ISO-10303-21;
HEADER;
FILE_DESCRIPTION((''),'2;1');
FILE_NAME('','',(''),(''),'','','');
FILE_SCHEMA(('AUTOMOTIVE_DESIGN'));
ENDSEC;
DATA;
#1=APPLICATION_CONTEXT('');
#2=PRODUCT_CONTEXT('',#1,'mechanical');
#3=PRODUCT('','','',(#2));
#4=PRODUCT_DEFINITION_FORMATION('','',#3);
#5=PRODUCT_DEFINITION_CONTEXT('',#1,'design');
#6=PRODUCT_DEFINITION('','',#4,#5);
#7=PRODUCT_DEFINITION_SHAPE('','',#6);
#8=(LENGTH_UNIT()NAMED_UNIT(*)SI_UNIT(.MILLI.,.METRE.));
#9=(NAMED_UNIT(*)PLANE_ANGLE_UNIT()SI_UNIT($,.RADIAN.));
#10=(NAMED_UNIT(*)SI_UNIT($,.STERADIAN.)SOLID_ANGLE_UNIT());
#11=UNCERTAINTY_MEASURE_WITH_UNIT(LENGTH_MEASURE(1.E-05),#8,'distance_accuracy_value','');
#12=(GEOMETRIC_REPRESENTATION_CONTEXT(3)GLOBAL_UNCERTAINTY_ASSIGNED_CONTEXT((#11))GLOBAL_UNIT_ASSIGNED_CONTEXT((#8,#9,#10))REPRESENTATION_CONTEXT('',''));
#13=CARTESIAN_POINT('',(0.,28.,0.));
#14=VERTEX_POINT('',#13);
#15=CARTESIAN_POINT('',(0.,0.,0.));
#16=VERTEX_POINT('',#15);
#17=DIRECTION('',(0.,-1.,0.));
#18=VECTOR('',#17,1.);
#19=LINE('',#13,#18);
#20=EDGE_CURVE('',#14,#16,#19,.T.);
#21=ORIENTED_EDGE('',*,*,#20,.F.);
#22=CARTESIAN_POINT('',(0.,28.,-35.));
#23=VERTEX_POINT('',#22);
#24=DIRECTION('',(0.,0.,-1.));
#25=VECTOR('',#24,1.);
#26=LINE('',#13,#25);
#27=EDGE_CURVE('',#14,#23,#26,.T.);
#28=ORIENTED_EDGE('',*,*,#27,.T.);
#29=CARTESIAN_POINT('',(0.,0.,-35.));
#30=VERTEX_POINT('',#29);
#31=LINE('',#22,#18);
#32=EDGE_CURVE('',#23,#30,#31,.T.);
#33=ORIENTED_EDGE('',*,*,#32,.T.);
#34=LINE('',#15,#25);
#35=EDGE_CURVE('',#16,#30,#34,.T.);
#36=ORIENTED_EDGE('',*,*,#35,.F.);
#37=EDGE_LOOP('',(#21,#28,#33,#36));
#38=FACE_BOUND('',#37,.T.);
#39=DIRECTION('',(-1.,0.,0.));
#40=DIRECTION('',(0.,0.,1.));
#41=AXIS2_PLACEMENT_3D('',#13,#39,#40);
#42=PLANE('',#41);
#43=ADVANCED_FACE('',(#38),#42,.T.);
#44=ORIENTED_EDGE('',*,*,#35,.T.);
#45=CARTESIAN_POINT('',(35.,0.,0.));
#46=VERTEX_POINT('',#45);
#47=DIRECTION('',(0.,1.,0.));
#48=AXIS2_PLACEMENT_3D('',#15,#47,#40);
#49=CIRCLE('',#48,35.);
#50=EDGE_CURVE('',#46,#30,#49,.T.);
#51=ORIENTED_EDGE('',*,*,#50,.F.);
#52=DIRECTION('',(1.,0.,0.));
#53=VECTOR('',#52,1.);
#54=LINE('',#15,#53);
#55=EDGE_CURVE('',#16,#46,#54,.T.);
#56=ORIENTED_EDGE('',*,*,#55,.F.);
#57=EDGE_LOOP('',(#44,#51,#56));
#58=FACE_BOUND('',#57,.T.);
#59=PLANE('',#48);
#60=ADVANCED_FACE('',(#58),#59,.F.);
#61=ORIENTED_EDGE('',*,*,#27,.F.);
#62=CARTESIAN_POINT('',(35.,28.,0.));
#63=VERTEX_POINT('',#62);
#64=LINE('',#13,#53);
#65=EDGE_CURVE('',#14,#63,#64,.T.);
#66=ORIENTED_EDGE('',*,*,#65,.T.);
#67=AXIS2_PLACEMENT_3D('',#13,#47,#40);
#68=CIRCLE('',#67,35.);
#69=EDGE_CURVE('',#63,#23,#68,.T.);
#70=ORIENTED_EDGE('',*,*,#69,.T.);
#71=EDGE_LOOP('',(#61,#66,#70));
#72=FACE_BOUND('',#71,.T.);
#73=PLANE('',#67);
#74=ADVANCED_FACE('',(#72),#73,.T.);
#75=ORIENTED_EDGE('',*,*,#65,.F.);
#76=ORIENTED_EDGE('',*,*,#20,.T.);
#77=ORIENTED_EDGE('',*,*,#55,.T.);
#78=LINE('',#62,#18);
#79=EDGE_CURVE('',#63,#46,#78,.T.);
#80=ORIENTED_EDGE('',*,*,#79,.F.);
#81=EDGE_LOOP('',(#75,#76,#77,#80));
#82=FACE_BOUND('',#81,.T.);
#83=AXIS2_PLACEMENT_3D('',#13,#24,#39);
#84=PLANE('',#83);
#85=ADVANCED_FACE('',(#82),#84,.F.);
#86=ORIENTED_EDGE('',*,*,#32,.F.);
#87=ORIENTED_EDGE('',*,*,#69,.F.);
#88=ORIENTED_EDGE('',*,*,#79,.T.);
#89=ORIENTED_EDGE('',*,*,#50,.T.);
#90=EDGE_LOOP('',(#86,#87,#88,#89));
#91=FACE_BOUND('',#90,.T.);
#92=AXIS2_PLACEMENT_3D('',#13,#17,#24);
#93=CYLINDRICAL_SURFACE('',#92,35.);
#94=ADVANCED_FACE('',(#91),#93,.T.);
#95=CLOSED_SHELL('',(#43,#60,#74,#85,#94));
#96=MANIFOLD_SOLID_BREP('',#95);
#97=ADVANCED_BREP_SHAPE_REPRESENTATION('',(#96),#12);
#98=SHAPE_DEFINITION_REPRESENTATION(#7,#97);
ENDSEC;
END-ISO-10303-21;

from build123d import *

# Parameters (mm, degrees)
EXTRUDE_1_DEPTH = 28


with BuildPart() as part:
    # 草圖1 → 填料-伸長1 (new body)
    with BuildSketch(Plane(origin=(0, 0, 0), x_dir=(1, 0, 0), z_dir=(0, 1, 0))):
        with BuildLine():
            Line((0, 35), (0, 0))
            Line((0, 0), (35, 0))
            ThreePointArc((35, 0), (24.748737342, 24.748737342), (0, 35))
        make_face()
    extrude(amount=EXTRUDE_1_DEPTH)


solid = part.part
